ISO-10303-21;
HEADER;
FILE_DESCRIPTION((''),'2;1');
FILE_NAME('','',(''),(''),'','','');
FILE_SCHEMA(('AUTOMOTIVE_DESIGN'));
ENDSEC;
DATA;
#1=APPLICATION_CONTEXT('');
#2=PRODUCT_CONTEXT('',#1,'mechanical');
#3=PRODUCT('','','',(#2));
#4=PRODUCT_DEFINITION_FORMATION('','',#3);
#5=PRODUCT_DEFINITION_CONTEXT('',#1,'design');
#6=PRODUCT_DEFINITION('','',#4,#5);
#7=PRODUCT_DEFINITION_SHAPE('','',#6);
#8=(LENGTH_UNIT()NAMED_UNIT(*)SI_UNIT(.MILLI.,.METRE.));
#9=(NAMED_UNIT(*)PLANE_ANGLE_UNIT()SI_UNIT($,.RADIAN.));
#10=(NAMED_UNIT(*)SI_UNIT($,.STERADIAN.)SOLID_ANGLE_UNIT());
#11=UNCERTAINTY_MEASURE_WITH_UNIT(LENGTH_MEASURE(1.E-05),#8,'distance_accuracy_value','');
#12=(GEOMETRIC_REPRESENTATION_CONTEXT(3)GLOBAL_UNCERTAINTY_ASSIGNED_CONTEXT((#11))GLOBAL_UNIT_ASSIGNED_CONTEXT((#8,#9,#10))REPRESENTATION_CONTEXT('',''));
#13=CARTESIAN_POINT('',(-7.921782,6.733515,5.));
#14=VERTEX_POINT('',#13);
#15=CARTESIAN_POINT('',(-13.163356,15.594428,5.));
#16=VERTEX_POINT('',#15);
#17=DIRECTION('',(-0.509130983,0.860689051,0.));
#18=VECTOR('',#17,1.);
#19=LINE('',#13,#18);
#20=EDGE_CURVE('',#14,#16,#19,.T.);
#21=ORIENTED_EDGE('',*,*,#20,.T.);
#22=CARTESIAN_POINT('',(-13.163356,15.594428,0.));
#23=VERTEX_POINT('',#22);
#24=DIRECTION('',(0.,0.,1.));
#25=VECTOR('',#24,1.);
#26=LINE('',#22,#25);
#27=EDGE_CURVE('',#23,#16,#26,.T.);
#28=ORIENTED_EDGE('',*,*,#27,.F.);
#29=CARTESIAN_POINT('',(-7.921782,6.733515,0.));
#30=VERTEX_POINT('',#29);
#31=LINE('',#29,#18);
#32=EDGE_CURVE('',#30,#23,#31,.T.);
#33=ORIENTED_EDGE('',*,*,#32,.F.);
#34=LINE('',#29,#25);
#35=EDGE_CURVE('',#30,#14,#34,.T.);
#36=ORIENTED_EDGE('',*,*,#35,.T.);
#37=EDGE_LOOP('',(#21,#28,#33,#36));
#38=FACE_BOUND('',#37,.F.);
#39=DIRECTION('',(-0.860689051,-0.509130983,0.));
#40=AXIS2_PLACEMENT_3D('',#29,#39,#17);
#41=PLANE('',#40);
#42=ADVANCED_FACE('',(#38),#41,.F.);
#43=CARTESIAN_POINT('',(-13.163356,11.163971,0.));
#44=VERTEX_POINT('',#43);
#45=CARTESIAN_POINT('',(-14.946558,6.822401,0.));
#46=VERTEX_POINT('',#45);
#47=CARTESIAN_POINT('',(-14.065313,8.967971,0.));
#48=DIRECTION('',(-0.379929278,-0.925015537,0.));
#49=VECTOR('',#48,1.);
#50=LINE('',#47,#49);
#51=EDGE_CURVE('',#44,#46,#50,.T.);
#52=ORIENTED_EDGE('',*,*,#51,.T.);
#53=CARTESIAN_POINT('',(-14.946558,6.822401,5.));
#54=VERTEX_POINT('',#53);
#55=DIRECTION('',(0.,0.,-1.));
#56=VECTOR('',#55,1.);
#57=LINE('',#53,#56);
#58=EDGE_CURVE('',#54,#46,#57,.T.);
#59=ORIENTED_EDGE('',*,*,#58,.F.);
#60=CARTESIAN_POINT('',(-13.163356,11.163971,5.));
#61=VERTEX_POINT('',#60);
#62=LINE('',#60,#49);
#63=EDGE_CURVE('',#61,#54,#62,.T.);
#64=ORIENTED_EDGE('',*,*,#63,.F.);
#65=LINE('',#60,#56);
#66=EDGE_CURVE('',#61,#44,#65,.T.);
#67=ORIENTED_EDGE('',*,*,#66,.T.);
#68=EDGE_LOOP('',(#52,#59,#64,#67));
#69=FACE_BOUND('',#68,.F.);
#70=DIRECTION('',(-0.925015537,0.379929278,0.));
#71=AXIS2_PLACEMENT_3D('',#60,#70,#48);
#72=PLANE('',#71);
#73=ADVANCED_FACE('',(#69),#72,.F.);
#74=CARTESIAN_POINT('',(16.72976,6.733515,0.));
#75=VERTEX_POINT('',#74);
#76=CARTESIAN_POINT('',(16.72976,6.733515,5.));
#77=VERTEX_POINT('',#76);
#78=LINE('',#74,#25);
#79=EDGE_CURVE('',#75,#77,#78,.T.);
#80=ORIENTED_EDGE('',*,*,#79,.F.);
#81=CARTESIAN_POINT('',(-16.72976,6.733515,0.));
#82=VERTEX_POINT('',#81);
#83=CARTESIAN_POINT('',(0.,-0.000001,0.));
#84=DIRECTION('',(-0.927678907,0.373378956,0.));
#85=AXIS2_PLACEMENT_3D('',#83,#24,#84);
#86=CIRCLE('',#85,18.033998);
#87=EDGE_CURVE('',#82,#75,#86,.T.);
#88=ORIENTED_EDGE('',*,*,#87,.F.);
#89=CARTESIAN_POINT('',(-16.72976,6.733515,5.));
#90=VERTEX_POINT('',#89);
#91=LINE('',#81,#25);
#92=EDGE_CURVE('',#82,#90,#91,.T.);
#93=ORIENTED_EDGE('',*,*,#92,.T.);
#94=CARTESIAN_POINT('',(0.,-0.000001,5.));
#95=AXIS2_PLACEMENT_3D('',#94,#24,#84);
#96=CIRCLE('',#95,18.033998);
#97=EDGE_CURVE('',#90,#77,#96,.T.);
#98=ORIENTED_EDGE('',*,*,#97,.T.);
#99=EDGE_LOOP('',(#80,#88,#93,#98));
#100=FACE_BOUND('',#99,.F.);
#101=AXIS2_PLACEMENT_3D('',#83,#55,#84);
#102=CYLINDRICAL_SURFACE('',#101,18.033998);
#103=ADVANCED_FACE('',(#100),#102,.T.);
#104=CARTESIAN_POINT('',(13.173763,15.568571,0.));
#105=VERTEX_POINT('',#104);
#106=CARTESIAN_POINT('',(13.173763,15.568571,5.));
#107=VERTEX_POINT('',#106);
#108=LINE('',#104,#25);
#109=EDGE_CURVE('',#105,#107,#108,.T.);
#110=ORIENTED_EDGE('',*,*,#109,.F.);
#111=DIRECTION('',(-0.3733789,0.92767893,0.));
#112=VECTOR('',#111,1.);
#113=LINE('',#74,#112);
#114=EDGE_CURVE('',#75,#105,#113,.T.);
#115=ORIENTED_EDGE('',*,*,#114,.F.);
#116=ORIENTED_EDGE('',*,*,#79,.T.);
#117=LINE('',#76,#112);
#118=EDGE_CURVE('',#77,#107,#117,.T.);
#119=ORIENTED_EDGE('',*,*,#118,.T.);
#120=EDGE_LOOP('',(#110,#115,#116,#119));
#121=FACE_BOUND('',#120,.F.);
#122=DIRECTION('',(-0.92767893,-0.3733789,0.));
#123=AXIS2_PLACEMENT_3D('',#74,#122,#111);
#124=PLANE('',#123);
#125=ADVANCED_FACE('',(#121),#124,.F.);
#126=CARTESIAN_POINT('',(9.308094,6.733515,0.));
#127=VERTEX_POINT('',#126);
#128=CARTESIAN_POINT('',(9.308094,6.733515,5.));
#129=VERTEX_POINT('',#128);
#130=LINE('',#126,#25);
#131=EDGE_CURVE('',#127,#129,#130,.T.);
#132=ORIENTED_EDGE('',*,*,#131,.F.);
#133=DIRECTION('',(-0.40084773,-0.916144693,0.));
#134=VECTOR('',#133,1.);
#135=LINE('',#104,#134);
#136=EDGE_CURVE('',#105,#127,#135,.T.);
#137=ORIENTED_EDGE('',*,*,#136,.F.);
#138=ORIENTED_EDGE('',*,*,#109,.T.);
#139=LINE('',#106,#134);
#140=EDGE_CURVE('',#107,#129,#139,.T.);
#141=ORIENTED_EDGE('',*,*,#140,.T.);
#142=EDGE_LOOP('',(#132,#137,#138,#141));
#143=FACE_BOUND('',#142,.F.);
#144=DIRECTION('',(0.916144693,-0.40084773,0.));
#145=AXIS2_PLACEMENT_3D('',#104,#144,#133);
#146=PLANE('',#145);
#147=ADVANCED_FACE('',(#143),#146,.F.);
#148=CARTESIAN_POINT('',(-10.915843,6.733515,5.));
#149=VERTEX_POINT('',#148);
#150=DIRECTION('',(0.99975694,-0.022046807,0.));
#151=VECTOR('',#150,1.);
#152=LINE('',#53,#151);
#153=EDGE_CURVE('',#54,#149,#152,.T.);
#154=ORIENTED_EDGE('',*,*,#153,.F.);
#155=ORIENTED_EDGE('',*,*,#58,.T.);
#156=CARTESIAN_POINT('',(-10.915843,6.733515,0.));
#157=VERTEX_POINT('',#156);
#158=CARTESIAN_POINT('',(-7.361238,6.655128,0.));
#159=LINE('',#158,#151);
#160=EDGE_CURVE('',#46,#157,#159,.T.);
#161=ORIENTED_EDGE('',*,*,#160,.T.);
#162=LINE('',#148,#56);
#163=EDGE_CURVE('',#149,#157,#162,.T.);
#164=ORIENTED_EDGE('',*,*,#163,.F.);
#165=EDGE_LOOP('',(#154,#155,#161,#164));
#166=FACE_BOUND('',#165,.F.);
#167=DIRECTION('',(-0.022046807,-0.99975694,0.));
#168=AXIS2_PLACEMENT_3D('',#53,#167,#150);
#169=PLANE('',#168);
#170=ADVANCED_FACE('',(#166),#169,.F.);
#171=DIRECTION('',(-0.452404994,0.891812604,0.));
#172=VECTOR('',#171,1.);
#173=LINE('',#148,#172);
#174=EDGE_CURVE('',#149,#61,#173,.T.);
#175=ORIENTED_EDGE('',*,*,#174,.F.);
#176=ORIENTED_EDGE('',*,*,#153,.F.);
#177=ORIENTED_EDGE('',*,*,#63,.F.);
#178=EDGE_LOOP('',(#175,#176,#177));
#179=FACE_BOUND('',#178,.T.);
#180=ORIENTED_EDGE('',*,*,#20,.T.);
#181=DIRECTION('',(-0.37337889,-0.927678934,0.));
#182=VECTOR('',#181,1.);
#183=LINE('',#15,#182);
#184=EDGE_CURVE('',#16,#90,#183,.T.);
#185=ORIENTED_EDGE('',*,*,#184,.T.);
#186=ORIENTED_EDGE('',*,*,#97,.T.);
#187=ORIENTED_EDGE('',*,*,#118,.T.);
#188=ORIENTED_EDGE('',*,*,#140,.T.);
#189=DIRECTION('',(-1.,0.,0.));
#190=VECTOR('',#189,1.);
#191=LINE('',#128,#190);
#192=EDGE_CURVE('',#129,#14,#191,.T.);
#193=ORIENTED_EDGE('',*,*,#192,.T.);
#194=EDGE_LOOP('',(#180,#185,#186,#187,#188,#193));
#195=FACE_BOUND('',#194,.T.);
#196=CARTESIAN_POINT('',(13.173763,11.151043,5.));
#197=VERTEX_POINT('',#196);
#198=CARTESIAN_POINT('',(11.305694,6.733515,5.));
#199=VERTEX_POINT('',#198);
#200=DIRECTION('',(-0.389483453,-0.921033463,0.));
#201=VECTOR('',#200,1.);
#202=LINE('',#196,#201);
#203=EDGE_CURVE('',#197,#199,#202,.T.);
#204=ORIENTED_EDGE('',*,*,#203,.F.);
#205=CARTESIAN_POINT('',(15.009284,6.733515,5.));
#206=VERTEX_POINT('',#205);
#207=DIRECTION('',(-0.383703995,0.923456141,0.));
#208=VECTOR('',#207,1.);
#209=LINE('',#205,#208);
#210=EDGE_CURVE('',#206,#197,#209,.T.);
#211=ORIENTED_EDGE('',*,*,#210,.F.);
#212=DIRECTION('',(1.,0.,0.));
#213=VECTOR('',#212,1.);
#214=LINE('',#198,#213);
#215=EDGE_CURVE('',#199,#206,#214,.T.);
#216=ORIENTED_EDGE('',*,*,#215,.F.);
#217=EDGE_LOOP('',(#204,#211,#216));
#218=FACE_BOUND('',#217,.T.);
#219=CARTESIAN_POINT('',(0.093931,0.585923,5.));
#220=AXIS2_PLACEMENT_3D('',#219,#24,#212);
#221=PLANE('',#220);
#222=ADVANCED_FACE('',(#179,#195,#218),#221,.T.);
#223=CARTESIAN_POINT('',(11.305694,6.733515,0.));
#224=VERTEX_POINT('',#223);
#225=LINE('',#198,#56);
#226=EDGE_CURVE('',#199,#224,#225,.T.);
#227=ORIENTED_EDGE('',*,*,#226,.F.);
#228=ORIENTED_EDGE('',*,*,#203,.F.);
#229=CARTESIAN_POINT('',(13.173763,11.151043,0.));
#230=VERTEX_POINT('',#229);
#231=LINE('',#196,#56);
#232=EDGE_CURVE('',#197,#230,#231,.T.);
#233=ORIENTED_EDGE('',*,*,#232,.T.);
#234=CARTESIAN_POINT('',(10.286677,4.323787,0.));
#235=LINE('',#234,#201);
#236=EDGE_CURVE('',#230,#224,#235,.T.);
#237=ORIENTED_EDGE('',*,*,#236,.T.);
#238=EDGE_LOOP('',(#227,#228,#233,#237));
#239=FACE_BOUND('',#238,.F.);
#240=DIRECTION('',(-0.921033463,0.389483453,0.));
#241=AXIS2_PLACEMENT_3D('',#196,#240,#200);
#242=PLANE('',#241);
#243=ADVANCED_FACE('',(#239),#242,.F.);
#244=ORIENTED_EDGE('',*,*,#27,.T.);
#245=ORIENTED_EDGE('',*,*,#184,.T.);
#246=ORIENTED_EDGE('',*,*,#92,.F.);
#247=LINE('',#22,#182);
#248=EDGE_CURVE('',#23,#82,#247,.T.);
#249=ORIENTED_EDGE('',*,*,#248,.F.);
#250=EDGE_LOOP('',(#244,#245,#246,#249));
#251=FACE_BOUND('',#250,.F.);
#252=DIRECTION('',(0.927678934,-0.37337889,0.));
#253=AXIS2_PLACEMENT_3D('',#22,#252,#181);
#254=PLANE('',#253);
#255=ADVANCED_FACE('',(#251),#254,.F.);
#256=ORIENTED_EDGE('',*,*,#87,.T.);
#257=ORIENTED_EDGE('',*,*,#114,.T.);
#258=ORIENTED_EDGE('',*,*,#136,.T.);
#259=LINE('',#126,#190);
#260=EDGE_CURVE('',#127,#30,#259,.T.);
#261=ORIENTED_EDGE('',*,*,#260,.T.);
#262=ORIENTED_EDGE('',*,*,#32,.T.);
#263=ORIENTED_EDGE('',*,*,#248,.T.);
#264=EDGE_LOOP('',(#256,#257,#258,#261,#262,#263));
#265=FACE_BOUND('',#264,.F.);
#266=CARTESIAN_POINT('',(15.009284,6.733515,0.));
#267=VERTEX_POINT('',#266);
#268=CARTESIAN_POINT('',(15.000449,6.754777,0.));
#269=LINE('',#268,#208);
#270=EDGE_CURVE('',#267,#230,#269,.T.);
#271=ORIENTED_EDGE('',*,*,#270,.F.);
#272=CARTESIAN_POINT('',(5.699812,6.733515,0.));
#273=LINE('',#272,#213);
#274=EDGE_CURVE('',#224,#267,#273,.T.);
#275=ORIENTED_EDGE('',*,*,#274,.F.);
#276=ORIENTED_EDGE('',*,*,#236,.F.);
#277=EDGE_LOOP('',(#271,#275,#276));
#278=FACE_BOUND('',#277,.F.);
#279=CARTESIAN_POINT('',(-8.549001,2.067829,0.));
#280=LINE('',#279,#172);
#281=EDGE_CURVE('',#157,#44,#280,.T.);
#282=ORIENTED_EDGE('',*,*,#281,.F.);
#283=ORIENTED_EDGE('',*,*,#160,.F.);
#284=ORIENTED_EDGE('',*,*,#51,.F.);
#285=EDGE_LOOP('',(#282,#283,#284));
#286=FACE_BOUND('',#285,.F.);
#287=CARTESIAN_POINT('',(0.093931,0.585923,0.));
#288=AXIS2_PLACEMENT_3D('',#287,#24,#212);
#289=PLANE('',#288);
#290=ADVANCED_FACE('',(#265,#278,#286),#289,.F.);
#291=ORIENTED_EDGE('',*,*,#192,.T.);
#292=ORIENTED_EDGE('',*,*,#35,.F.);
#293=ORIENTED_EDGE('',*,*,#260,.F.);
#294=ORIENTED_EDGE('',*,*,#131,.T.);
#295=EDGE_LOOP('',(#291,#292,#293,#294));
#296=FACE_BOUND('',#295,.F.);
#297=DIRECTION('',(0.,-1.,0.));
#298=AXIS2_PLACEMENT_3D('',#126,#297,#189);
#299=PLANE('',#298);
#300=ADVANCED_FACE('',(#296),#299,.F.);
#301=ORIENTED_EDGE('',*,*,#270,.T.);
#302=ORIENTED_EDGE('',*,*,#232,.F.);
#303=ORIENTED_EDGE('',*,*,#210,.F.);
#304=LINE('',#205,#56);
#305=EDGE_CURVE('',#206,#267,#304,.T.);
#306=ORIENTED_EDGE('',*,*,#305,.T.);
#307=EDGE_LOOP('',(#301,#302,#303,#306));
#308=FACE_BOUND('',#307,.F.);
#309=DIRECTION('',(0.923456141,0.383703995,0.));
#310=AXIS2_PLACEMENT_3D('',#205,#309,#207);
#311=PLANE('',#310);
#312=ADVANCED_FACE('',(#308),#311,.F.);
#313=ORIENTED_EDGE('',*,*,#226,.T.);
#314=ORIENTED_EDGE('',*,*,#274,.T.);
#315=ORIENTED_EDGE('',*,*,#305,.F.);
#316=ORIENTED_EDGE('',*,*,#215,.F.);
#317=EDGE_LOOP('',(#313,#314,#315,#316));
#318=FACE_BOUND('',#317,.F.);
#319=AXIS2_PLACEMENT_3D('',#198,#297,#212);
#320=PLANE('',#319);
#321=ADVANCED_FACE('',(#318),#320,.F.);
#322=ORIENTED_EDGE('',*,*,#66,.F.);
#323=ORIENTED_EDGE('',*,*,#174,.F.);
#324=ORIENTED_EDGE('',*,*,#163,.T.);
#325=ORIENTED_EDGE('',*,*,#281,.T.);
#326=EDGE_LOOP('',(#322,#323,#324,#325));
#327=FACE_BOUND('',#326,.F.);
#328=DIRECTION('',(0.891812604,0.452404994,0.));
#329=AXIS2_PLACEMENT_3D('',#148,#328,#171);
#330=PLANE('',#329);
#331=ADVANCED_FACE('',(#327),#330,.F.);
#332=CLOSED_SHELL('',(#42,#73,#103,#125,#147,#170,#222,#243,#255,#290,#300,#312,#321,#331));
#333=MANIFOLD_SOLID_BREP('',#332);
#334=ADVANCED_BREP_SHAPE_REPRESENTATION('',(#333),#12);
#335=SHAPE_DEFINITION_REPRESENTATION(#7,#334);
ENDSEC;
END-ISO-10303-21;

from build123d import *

# Parameters (mm, degrees)
F1_DEPTH = 5
F3_DEPTH = 15
F5_DEPTH = 25


with BuildPart() as f1:
    # F0 (on Top) → F1 (new body)
    with BuildSketch(Plane.XY):
        with BuildLine():
            Line((-13.163356, 15.594428), (-16.72976, 6.733515))
            ThreePointArc((-16.72976, 6.733515), (0, -18.033999), (16.72976, 6.733515))
            Line((16.72976, 6.733515), (13.173763, 15.568571))
            Line((13.173763, 15.568571), (9.308094, 6.733515))
            Line((9.308094, 6.733515), (-7.921782, 6.733515))
            Line((-7.921782, 6.733515), (-13.163356, 15.594428))
        make_face()
    extrude(amount=F1_DEPTH)

    # F2 (on face) → F3 (cut)
    with BuildSketch(Plane.XY.offset(5)):
        Polygon((-13.163356, 11.163971), (-14.946558, 6.822401), (-10.915843, 6.733515), align=None)
    extrude(amount=-F3_DEPTH, mode=Mode.SUBTRACT)

    # F4 (on face) → F5 (cut)
    with BuildSketch(Plane.XY.offset(5)):
        Polygon((13.173763, 11.151043), (11.305694, 6.733515), (15.009284, 6.733515), align=None)
    extrude(amount=-F5_DEPTH, mode=Mode.SUBTRACT)


solid = f1.part
